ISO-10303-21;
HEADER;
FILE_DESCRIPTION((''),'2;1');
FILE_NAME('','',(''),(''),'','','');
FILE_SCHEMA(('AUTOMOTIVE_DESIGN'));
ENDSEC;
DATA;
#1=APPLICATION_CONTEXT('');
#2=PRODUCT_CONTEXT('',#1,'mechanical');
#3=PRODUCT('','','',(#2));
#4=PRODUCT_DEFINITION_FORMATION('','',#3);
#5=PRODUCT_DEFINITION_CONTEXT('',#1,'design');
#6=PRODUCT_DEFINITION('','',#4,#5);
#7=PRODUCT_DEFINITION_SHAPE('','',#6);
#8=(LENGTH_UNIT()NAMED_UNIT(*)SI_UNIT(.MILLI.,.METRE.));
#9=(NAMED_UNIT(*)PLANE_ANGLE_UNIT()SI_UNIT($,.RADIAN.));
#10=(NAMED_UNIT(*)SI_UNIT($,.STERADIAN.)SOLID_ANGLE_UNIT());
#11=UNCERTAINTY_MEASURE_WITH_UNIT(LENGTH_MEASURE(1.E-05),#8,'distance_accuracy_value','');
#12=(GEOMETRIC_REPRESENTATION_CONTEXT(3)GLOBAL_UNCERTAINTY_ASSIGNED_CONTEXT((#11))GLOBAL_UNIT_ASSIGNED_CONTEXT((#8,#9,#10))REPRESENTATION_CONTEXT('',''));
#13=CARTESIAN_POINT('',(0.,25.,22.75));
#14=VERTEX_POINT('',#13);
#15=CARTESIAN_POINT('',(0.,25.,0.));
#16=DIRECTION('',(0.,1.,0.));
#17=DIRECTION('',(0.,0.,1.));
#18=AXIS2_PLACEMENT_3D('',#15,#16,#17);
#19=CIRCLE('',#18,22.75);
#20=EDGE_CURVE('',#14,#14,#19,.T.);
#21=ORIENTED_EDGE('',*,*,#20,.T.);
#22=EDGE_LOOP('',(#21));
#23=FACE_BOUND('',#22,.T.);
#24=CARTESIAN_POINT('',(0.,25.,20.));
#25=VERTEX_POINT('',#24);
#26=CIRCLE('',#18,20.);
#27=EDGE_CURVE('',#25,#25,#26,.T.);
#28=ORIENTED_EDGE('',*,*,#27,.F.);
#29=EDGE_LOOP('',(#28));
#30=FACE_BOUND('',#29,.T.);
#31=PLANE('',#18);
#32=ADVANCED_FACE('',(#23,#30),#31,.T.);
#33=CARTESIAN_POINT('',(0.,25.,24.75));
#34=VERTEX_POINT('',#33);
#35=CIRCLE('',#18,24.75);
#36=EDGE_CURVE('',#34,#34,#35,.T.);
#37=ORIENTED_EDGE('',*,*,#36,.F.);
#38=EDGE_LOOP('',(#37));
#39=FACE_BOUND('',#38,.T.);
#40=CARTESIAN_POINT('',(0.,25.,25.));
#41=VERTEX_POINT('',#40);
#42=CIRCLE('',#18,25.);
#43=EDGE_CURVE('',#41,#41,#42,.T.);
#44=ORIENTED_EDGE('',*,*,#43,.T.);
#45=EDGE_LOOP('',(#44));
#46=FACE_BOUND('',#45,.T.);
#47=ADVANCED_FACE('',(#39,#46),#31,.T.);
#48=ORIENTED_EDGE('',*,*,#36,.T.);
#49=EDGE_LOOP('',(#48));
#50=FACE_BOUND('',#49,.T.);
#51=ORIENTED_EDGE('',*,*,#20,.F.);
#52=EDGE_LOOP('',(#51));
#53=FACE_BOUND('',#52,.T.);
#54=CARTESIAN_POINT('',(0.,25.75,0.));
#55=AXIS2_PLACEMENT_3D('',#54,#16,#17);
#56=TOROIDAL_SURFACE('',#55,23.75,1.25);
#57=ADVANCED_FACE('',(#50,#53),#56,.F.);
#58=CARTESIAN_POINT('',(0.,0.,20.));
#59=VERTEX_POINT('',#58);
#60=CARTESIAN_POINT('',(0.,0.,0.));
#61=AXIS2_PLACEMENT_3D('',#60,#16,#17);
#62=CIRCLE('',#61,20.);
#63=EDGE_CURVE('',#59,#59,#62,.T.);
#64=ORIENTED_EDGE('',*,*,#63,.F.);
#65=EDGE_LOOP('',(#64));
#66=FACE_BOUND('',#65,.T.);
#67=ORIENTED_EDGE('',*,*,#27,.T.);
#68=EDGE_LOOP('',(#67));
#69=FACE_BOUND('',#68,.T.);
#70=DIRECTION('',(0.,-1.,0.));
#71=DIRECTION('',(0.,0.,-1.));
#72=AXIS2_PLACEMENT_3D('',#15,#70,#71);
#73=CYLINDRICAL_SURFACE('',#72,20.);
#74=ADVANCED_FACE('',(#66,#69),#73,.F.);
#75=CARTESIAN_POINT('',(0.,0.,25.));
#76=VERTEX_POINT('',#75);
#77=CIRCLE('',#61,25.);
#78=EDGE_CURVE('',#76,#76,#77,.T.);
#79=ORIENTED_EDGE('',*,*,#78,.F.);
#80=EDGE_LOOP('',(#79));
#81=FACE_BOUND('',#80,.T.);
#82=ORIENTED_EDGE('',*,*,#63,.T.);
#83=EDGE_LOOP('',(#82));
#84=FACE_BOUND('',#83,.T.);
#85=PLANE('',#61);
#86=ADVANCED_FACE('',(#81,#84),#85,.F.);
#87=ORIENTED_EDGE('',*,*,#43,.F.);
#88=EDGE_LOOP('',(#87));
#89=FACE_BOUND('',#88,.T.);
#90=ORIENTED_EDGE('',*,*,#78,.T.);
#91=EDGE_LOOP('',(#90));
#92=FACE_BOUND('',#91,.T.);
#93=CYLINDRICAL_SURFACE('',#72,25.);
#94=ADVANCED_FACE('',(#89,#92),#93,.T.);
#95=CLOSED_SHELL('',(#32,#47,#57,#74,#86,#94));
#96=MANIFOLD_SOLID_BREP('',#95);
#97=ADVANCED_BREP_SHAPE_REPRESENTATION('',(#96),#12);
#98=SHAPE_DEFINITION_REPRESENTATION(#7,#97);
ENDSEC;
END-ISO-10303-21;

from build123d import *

# Parameters (mm, degrees)
SKETCH1_R           = 25
SKETCH1_R_2         = 20
BOSS_EXTRUDE1_DEPTH = 25


with BuildPart() as part:
    # Sketch1 → Boss-Extrude1 (new body)
    with BuildSketch(Plane(origin=(0, 0, 0), x_dir=(1, 0, 0), z_dir=(0, 1, 0))):
        Circle(SKETCH1_R)
        Circle(SKETCH1_R_2, mode=Mode.SUBTRACT)
    extrude(amount=BOSS_EXTRUDE1_DEPTH)

    # Sketch2 → Cut-Revolve1 (revolve, cut)
    with BuildSketch(Plane.XY):
        with BuildLine():
            Line((-24.75, 25), (-22.75, 25))
            ThreePointArc((-22.75, 25), (-23.75, 24.5), (-24.75, 25))
        make_face()
    revolve(axis=Axis((0, 26.219385416, 0), (0, -1, 0)), mode=Mode.SUBTRACT)


solid = part.part
